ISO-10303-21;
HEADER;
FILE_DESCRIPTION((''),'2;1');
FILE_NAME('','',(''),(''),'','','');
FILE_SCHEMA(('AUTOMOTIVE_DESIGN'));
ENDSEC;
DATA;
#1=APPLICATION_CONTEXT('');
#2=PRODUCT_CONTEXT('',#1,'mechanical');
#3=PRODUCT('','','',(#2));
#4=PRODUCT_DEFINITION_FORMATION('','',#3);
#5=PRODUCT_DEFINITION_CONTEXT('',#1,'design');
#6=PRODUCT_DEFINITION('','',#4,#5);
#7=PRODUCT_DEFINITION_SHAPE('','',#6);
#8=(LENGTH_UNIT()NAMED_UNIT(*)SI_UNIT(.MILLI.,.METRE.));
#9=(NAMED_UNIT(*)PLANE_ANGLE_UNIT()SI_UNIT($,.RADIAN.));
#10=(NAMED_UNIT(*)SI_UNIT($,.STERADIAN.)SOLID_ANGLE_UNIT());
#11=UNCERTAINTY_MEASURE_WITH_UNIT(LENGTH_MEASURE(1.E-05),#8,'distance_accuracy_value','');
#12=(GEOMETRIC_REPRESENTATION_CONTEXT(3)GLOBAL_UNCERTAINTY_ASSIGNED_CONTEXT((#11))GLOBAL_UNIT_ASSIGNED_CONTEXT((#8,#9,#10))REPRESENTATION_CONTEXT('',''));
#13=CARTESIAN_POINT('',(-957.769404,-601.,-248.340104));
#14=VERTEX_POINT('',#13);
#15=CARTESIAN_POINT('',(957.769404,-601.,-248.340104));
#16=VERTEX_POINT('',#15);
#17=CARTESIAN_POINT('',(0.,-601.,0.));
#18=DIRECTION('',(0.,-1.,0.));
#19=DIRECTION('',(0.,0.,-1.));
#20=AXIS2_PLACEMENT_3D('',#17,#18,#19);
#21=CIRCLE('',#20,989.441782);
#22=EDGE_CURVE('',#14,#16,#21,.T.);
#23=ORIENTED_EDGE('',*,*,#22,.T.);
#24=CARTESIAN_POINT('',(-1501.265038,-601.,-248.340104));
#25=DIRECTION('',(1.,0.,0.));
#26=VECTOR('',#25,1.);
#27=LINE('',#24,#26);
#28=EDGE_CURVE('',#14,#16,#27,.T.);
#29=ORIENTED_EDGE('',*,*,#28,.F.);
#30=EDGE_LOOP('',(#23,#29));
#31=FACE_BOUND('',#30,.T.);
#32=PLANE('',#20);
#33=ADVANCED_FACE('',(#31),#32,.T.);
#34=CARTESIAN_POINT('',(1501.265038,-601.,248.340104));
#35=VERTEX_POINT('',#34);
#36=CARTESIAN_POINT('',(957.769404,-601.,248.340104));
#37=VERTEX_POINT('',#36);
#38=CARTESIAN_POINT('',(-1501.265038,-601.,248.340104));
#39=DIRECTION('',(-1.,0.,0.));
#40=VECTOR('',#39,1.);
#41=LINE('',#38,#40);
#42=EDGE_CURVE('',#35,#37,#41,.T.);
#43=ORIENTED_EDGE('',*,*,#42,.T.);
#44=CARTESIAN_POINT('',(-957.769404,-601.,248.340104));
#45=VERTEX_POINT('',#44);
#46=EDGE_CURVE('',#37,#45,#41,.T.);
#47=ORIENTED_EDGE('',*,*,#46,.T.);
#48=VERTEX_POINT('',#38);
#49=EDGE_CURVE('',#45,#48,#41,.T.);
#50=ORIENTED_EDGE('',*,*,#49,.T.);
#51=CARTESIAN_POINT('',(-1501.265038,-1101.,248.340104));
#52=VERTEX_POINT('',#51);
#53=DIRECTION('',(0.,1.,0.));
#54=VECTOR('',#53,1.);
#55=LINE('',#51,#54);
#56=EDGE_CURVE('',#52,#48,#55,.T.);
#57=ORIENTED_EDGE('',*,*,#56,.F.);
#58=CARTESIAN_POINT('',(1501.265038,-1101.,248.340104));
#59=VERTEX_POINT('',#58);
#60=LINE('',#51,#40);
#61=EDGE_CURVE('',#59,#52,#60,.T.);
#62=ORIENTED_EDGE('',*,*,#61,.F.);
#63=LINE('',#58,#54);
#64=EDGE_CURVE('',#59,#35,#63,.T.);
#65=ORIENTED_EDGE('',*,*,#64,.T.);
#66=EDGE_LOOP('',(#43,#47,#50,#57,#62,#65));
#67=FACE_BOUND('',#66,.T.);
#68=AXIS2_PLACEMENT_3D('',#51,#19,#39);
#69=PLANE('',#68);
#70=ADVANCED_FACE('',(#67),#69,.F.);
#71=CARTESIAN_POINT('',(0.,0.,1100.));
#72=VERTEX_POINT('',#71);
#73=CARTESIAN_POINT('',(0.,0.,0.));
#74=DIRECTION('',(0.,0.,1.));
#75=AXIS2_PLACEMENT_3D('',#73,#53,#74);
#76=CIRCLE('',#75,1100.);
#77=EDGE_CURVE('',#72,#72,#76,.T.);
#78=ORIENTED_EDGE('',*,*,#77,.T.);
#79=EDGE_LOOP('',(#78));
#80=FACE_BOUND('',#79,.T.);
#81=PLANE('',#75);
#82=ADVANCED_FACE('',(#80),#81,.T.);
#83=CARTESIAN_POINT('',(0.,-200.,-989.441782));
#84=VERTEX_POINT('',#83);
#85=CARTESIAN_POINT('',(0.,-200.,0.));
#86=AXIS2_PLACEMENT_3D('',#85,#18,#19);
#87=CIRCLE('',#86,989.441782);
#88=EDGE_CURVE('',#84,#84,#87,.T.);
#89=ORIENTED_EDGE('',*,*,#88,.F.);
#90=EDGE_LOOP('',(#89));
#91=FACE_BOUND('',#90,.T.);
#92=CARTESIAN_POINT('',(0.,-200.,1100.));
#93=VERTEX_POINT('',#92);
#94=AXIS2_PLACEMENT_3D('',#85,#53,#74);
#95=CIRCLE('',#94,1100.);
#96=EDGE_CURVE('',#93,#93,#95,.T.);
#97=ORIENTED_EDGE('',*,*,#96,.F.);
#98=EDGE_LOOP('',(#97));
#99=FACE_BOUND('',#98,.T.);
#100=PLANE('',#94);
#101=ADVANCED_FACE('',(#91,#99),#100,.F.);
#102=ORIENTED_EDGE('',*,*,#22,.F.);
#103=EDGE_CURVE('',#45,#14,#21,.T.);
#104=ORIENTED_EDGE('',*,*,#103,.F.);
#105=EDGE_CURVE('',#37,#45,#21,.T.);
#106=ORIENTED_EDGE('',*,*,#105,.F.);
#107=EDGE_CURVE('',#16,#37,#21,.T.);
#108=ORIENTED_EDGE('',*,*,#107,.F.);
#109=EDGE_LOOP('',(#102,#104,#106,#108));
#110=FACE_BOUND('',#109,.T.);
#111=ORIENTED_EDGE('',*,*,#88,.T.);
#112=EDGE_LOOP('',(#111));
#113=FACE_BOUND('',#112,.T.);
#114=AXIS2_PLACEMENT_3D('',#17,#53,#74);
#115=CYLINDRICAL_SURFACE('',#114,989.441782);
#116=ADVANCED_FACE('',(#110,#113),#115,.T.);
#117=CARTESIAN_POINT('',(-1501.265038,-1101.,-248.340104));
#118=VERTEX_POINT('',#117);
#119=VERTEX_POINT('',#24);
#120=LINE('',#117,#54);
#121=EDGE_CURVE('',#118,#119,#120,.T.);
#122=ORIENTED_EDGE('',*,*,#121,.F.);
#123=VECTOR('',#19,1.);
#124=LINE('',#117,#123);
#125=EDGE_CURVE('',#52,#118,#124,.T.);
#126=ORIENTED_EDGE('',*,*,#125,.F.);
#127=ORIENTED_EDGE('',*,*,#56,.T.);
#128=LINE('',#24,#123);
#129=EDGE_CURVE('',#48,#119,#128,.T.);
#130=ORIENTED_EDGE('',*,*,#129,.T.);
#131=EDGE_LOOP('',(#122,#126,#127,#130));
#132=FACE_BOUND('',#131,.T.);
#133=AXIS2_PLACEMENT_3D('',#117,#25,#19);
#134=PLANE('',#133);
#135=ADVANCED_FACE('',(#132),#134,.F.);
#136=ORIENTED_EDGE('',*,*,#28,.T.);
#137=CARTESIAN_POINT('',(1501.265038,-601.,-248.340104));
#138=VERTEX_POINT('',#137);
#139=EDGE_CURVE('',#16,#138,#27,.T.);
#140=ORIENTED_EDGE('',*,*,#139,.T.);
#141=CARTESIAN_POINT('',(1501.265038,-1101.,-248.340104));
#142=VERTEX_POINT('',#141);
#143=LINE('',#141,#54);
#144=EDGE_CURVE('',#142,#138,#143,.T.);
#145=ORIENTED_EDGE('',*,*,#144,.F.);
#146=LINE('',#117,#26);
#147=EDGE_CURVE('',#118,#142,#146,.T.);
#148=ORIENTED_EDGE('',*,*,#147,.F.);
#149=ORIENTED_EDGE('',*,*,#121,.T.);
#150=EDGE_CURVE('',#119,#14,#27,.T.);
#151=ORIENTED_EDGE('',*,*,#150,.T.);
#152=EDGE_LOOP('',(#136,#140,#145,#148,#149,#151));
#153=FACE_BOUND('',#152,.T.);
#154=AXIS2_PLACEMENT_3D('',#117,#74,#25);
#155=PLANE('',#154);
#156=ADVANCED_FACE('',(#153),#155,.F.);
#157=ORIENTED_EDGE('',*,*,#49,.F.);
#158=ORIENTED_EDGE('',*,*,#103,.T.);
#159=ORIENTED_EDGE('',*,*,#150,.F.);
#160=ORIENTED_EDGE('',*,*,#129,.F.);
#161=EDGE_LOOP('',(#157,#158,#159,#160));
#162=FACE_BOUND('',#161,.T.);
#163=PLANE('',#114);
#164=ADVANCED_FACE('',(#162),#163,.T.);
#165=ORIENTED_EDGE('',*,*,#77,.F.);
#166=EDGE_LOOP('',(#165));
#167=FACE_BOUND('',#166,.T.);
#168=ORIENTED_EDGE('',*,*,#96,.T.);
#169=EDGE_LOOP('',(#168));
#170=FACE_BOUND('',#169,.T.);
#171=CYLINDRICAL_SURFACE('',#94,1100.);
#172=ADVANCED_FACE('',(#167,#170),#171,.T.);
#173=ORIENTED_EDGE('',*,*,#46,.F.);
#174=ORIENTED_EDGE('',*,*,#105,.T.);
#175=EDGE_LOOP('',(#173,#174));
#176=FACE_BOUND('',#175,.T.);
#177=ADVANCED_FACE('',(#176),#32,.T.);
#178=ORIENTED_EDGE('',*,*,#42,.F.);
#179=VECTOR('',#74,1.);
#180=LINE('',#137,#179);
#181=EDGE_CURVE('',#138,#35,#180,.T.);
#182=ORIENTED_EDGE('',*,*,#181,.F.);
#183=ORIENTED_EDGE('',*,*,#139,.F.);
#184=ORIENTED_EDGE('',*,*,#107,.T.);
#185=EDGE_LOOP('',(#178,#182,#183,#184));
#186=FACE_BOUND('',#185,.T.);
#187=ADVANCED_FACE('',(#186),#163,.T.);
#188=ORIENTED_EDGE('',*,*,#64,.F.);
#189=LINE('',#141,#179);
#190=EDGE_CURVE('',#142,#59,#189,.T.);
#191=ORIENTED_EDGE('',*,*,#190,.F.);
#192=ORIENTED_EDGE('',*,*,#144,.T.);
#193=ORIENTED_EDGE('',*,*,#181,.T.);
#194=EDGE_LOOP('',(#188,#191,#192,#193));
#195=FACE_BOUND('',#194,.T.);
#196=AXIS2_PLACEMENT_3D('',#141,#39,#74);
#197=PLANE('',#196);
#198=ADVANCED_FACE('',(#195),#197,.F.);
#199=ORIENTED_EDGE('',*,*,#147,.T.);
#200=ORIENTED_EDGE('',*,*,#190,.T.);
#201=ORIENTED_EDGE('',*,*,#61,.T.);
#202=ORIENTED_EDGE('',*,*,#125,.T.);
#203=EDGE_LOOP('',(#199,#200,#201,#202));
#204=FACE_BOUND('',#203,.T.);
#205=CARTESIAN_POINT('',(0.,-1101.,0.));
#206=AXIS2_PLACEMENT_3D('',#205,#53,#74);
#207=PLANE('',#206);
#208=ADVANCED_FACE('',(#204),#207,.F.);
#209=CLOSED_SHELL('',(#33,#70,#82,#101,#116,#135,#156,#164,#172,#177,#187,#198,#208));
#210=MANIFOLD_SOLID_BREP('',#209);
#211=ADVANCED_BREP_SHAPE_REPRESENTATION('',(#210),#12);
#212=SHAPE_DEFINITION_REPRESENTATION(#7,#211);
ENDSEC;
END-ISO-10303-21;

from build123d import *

# Parameters (mm, degrees)
SKETCH2_R           = 1100
BOSS_EXTRUDE1_DEPTH = 200
SKETCH3_R           = 989.441781837
BOSS_EXTRUDE2_DEPTH = 401
SKETCH4_W           = 3002.53007642
SKETCH4_H           = 496.680208904
BOSS_EXTRUDE3_DEPTH = 500


with BuildPart() as part:
    # Sketch2 → Boss-Extrude1 (new body)
    with BuildSketch(Plane(origin=(0, 0, 0), x_dir=(1, 0, 0), z_dir=(0, 1, 0))):
        Circle(SKETCH2_R)
    extrude(amount=-BOSS_EXTRUDE1_DEPTH)

    # Sketch3 → Boss-Extrude2 (add)
    with BuildSketch(Plane.XZ.offset(200)):
        Circle(SKETCH3_R)
    extrude(amount=BOSS_EXTRUDE2_DEPTH)

    # Sketch4 → Boss-Extrude3 (add)
    with BuildSketch(Plane.XZ.offset(601)):
        Rectangle(SKETCH4_W, SKETCH4_H)
    extrude(amount=BOSS_EXTRUDE3_DEPTH)


solid = part.part
